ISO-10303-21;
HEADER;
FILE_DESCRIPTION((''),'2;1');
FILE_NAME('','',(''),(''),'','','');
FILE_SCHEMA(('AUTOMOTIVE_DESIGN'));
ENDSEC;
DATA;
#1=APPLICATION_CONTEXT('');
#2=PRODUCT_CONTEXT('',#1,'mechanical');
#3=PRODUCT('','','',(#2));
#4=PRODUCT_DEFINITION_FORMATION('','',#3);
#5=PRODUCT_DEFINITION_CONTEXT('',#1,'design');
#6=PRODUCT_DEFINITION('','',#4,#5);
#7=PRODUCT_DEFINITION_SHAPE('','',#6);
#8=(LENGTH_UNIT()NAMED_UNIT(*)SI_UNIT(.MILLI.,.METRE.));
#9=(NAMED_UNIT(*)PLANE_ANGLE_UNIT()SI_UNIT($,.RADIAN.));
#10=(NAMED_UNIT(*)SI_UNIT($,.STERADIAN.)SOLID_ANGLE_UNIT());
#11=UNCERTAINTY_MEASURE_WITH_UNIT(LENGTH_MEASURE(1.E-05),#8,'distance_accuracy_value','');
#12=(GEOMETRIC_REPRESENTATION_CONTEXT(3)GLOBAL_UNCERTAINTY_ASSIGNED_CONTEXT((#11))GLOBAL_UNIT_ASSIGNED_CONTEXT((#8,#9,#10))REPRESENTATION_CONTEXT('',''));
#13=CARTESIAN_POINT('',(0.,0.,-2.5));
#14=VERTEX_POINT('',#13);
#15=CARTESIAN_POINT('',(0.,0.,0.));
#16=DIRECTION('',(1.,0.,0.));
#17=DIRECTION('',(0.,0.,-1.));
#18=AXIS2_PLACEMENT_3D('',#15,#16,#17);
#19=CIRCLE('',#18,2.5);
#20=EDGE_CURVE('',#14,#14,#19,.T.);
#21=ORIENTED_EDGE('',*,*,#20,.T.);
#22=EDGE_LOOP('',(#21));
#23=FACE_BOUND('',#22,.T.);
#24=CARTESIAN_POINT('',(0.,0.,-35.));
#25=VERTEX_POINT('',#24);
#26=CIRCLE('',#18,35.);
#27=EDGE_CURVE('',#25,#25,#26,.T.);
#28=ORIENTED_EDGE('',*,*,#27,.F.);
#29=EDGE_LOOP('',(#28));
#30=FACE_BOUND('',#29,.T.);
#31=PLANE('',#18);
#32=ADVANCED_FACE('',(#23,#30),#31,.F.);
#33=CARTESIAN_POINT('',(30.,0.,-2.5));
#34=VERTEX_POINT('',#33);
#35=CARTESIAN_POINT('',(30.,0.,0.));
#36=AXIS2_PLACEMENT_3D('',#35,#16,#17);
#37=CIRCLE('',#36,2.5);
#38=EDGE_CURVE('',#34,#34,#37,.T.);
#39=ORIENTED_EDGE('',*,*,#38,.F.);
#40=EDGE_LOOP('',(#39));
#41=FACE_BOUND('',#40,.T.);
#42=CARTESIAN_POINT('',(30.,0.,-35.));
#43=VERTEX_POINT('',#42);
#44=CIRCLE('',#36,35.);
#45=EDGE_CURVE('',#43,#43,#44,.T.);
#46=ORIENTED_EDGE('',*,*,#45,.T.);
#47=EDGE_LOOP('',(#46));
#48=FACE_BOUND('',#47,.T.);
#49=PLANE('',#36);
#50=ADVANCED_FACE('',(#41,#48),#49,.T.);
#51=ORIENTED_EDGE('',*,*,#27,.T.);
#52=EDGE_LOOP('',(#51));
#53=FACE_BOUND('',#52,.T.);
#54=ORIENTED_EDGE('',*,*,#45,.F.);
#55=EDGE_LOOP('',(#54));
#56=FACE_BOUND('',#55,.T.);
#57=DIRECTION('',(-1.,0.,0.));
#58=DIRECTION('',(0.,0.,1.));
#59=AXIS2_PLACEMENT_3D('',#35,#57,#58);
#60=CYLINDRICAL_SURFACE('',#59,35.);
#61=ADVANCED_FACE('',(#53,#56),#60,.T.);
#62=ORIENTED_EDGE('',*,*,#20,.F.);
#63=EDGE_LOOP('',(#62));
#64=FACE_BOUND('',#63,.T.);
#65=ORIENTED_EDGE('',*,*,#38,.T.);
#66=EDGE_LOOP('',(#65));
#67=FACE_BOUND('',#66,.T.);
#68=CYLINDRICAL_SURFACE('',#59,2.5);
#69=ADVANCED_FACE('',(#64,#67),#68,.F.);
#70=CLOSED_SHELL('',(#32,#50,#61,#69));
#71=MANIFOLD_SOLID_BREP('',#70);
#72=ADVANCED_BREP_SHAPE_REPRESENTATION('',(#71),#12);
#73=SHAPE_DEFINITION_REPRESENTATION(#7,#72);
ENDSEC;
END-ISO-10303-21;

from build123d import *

# Parameters (mm, degrees)
SKETCH_1_R        = 35
SKETCH_1_R_2      = 2.5
EXTRUDE_308_DEPTH = 30


with BuildPart() as part:
    # Эскиз1 → Extrude 308 (new body)
    with BuildSketch(Plane(origin=(0, 0, 0), x_dir=(0, 0, -1), z_dir=(1, 0, 0))):
        Circle(SKETCH_1_R)
        Circle(SKETCH_1_R_2, mode=Mode.SUBTRACT)
    extrude(amount=EXTRUDE_308_DEPTH)


solid = part.part
